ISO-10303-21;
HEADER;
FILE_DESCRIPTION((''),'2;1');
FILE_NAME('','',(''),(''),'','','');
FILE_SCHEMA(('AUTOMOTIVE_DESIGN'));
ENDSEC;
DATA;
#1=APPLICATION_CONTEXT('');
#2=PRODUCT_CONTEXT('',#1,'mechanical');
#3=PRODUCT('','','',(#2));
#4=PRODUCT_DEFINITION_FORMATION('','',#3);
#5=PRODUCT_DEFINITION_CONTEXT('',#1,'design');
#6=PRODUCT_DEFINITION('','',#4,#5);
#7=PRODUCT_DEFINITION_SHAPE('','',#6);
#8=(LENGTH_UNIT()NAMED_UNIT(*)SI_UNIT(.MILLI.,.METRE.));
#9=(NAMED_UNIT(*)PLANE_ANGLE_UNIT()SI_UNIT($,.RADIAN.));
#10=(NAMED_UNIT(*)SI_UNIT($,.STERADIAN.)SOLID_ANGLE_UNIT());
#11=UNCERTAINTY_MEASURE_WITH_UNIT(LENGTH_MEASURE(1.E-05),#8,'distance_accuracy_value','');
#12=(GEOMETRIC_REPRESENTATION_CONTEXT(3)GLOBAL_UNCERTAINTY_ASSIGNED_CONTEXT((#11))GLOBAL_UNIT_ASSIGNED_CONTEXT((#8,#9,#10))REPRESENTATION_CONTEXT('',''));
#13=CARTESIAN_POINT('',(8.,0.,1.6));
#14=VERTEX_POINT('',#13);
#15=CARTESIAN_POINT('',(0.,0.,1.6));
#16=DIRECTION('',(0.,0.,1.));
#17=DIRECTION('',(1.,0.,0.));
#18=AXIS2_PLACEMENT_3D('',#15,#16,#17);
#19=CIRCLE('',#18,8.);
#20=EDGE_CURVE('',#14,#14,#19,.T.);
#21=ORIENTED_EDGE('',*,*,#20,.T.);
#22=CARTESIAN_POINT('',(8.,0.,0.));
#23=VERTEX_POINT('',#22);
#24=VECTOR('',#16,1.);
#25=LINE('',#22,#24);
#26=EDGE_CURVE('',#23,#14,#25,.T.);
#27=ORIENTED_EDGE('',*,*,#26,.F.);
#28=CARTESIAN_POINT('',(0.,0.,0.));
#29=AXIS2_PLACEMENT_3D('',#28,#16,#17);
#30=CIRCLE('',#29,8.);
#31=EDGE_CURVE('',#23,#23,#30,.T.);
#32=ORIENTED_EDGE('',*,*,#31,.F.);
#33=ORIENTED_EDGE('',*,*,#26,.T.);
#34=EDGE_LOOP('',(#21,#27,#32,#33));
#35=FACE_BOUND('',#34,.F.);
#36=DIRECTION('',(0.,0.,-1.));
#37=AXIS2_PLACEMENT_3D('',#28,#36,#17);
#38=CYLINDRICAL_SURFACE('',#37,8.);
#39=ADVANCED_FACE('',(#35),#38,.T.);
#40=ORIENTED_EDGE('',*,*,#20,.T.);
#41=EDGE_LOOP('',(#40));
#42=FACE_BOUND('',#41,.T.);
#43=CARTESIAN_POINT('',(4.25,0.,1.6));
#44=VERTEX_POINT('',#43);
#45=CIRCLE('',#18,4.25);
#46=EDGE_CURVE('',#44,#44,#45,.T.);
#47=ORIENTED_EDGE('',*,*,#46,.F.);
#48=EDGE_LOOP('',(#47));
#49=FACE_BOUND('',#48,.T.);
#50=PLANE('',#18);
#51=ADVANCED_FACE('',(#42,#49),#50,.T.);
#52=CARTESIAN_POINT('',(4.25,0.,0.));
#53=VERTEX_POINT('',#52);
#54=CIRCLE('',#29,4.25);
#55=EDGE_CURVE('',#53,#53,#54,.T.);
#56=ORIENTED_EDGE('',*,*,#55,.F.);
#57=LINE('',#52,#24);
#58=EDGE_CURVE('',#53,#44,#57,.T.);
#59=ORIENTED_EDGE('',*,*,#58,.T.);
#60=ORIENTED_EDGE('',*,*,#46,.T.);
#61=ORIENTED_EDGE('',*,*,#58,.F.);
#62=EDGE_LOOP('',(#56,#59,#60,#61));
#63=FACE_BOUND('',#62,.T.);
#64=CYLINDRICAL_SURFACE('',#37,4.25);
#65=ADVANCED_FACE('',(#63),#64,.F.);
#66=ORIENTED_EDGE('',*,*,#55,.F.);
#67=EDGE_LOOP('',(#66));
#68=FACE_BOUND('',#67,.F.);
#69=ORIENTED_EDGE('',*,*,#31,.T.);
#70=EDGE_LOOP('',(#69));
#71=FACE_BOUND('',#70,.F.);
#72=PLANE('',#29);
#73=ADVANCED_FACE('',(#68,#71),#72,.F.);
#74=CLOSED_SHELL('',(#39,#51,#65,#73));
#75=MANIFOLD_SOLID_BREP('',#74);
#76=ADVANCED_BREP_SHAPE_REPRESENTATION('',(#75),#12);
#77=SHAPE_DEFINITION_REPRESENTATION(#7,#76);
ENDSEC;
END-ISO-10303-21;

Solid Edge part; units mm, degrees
sketch "Sketch1" plane through (0, 0, 0) normal (0, 0, 1) x (1, 0, 0)
  circle A0 centre (0, 0) radius 8
  circle A1 centre (0, 0) radius 4.25
  dimension "D1" = 16
  dimension "D2" = 8.5
extrude "Protrusion1" add sketch "Sketch1" along normal blind 1.6
